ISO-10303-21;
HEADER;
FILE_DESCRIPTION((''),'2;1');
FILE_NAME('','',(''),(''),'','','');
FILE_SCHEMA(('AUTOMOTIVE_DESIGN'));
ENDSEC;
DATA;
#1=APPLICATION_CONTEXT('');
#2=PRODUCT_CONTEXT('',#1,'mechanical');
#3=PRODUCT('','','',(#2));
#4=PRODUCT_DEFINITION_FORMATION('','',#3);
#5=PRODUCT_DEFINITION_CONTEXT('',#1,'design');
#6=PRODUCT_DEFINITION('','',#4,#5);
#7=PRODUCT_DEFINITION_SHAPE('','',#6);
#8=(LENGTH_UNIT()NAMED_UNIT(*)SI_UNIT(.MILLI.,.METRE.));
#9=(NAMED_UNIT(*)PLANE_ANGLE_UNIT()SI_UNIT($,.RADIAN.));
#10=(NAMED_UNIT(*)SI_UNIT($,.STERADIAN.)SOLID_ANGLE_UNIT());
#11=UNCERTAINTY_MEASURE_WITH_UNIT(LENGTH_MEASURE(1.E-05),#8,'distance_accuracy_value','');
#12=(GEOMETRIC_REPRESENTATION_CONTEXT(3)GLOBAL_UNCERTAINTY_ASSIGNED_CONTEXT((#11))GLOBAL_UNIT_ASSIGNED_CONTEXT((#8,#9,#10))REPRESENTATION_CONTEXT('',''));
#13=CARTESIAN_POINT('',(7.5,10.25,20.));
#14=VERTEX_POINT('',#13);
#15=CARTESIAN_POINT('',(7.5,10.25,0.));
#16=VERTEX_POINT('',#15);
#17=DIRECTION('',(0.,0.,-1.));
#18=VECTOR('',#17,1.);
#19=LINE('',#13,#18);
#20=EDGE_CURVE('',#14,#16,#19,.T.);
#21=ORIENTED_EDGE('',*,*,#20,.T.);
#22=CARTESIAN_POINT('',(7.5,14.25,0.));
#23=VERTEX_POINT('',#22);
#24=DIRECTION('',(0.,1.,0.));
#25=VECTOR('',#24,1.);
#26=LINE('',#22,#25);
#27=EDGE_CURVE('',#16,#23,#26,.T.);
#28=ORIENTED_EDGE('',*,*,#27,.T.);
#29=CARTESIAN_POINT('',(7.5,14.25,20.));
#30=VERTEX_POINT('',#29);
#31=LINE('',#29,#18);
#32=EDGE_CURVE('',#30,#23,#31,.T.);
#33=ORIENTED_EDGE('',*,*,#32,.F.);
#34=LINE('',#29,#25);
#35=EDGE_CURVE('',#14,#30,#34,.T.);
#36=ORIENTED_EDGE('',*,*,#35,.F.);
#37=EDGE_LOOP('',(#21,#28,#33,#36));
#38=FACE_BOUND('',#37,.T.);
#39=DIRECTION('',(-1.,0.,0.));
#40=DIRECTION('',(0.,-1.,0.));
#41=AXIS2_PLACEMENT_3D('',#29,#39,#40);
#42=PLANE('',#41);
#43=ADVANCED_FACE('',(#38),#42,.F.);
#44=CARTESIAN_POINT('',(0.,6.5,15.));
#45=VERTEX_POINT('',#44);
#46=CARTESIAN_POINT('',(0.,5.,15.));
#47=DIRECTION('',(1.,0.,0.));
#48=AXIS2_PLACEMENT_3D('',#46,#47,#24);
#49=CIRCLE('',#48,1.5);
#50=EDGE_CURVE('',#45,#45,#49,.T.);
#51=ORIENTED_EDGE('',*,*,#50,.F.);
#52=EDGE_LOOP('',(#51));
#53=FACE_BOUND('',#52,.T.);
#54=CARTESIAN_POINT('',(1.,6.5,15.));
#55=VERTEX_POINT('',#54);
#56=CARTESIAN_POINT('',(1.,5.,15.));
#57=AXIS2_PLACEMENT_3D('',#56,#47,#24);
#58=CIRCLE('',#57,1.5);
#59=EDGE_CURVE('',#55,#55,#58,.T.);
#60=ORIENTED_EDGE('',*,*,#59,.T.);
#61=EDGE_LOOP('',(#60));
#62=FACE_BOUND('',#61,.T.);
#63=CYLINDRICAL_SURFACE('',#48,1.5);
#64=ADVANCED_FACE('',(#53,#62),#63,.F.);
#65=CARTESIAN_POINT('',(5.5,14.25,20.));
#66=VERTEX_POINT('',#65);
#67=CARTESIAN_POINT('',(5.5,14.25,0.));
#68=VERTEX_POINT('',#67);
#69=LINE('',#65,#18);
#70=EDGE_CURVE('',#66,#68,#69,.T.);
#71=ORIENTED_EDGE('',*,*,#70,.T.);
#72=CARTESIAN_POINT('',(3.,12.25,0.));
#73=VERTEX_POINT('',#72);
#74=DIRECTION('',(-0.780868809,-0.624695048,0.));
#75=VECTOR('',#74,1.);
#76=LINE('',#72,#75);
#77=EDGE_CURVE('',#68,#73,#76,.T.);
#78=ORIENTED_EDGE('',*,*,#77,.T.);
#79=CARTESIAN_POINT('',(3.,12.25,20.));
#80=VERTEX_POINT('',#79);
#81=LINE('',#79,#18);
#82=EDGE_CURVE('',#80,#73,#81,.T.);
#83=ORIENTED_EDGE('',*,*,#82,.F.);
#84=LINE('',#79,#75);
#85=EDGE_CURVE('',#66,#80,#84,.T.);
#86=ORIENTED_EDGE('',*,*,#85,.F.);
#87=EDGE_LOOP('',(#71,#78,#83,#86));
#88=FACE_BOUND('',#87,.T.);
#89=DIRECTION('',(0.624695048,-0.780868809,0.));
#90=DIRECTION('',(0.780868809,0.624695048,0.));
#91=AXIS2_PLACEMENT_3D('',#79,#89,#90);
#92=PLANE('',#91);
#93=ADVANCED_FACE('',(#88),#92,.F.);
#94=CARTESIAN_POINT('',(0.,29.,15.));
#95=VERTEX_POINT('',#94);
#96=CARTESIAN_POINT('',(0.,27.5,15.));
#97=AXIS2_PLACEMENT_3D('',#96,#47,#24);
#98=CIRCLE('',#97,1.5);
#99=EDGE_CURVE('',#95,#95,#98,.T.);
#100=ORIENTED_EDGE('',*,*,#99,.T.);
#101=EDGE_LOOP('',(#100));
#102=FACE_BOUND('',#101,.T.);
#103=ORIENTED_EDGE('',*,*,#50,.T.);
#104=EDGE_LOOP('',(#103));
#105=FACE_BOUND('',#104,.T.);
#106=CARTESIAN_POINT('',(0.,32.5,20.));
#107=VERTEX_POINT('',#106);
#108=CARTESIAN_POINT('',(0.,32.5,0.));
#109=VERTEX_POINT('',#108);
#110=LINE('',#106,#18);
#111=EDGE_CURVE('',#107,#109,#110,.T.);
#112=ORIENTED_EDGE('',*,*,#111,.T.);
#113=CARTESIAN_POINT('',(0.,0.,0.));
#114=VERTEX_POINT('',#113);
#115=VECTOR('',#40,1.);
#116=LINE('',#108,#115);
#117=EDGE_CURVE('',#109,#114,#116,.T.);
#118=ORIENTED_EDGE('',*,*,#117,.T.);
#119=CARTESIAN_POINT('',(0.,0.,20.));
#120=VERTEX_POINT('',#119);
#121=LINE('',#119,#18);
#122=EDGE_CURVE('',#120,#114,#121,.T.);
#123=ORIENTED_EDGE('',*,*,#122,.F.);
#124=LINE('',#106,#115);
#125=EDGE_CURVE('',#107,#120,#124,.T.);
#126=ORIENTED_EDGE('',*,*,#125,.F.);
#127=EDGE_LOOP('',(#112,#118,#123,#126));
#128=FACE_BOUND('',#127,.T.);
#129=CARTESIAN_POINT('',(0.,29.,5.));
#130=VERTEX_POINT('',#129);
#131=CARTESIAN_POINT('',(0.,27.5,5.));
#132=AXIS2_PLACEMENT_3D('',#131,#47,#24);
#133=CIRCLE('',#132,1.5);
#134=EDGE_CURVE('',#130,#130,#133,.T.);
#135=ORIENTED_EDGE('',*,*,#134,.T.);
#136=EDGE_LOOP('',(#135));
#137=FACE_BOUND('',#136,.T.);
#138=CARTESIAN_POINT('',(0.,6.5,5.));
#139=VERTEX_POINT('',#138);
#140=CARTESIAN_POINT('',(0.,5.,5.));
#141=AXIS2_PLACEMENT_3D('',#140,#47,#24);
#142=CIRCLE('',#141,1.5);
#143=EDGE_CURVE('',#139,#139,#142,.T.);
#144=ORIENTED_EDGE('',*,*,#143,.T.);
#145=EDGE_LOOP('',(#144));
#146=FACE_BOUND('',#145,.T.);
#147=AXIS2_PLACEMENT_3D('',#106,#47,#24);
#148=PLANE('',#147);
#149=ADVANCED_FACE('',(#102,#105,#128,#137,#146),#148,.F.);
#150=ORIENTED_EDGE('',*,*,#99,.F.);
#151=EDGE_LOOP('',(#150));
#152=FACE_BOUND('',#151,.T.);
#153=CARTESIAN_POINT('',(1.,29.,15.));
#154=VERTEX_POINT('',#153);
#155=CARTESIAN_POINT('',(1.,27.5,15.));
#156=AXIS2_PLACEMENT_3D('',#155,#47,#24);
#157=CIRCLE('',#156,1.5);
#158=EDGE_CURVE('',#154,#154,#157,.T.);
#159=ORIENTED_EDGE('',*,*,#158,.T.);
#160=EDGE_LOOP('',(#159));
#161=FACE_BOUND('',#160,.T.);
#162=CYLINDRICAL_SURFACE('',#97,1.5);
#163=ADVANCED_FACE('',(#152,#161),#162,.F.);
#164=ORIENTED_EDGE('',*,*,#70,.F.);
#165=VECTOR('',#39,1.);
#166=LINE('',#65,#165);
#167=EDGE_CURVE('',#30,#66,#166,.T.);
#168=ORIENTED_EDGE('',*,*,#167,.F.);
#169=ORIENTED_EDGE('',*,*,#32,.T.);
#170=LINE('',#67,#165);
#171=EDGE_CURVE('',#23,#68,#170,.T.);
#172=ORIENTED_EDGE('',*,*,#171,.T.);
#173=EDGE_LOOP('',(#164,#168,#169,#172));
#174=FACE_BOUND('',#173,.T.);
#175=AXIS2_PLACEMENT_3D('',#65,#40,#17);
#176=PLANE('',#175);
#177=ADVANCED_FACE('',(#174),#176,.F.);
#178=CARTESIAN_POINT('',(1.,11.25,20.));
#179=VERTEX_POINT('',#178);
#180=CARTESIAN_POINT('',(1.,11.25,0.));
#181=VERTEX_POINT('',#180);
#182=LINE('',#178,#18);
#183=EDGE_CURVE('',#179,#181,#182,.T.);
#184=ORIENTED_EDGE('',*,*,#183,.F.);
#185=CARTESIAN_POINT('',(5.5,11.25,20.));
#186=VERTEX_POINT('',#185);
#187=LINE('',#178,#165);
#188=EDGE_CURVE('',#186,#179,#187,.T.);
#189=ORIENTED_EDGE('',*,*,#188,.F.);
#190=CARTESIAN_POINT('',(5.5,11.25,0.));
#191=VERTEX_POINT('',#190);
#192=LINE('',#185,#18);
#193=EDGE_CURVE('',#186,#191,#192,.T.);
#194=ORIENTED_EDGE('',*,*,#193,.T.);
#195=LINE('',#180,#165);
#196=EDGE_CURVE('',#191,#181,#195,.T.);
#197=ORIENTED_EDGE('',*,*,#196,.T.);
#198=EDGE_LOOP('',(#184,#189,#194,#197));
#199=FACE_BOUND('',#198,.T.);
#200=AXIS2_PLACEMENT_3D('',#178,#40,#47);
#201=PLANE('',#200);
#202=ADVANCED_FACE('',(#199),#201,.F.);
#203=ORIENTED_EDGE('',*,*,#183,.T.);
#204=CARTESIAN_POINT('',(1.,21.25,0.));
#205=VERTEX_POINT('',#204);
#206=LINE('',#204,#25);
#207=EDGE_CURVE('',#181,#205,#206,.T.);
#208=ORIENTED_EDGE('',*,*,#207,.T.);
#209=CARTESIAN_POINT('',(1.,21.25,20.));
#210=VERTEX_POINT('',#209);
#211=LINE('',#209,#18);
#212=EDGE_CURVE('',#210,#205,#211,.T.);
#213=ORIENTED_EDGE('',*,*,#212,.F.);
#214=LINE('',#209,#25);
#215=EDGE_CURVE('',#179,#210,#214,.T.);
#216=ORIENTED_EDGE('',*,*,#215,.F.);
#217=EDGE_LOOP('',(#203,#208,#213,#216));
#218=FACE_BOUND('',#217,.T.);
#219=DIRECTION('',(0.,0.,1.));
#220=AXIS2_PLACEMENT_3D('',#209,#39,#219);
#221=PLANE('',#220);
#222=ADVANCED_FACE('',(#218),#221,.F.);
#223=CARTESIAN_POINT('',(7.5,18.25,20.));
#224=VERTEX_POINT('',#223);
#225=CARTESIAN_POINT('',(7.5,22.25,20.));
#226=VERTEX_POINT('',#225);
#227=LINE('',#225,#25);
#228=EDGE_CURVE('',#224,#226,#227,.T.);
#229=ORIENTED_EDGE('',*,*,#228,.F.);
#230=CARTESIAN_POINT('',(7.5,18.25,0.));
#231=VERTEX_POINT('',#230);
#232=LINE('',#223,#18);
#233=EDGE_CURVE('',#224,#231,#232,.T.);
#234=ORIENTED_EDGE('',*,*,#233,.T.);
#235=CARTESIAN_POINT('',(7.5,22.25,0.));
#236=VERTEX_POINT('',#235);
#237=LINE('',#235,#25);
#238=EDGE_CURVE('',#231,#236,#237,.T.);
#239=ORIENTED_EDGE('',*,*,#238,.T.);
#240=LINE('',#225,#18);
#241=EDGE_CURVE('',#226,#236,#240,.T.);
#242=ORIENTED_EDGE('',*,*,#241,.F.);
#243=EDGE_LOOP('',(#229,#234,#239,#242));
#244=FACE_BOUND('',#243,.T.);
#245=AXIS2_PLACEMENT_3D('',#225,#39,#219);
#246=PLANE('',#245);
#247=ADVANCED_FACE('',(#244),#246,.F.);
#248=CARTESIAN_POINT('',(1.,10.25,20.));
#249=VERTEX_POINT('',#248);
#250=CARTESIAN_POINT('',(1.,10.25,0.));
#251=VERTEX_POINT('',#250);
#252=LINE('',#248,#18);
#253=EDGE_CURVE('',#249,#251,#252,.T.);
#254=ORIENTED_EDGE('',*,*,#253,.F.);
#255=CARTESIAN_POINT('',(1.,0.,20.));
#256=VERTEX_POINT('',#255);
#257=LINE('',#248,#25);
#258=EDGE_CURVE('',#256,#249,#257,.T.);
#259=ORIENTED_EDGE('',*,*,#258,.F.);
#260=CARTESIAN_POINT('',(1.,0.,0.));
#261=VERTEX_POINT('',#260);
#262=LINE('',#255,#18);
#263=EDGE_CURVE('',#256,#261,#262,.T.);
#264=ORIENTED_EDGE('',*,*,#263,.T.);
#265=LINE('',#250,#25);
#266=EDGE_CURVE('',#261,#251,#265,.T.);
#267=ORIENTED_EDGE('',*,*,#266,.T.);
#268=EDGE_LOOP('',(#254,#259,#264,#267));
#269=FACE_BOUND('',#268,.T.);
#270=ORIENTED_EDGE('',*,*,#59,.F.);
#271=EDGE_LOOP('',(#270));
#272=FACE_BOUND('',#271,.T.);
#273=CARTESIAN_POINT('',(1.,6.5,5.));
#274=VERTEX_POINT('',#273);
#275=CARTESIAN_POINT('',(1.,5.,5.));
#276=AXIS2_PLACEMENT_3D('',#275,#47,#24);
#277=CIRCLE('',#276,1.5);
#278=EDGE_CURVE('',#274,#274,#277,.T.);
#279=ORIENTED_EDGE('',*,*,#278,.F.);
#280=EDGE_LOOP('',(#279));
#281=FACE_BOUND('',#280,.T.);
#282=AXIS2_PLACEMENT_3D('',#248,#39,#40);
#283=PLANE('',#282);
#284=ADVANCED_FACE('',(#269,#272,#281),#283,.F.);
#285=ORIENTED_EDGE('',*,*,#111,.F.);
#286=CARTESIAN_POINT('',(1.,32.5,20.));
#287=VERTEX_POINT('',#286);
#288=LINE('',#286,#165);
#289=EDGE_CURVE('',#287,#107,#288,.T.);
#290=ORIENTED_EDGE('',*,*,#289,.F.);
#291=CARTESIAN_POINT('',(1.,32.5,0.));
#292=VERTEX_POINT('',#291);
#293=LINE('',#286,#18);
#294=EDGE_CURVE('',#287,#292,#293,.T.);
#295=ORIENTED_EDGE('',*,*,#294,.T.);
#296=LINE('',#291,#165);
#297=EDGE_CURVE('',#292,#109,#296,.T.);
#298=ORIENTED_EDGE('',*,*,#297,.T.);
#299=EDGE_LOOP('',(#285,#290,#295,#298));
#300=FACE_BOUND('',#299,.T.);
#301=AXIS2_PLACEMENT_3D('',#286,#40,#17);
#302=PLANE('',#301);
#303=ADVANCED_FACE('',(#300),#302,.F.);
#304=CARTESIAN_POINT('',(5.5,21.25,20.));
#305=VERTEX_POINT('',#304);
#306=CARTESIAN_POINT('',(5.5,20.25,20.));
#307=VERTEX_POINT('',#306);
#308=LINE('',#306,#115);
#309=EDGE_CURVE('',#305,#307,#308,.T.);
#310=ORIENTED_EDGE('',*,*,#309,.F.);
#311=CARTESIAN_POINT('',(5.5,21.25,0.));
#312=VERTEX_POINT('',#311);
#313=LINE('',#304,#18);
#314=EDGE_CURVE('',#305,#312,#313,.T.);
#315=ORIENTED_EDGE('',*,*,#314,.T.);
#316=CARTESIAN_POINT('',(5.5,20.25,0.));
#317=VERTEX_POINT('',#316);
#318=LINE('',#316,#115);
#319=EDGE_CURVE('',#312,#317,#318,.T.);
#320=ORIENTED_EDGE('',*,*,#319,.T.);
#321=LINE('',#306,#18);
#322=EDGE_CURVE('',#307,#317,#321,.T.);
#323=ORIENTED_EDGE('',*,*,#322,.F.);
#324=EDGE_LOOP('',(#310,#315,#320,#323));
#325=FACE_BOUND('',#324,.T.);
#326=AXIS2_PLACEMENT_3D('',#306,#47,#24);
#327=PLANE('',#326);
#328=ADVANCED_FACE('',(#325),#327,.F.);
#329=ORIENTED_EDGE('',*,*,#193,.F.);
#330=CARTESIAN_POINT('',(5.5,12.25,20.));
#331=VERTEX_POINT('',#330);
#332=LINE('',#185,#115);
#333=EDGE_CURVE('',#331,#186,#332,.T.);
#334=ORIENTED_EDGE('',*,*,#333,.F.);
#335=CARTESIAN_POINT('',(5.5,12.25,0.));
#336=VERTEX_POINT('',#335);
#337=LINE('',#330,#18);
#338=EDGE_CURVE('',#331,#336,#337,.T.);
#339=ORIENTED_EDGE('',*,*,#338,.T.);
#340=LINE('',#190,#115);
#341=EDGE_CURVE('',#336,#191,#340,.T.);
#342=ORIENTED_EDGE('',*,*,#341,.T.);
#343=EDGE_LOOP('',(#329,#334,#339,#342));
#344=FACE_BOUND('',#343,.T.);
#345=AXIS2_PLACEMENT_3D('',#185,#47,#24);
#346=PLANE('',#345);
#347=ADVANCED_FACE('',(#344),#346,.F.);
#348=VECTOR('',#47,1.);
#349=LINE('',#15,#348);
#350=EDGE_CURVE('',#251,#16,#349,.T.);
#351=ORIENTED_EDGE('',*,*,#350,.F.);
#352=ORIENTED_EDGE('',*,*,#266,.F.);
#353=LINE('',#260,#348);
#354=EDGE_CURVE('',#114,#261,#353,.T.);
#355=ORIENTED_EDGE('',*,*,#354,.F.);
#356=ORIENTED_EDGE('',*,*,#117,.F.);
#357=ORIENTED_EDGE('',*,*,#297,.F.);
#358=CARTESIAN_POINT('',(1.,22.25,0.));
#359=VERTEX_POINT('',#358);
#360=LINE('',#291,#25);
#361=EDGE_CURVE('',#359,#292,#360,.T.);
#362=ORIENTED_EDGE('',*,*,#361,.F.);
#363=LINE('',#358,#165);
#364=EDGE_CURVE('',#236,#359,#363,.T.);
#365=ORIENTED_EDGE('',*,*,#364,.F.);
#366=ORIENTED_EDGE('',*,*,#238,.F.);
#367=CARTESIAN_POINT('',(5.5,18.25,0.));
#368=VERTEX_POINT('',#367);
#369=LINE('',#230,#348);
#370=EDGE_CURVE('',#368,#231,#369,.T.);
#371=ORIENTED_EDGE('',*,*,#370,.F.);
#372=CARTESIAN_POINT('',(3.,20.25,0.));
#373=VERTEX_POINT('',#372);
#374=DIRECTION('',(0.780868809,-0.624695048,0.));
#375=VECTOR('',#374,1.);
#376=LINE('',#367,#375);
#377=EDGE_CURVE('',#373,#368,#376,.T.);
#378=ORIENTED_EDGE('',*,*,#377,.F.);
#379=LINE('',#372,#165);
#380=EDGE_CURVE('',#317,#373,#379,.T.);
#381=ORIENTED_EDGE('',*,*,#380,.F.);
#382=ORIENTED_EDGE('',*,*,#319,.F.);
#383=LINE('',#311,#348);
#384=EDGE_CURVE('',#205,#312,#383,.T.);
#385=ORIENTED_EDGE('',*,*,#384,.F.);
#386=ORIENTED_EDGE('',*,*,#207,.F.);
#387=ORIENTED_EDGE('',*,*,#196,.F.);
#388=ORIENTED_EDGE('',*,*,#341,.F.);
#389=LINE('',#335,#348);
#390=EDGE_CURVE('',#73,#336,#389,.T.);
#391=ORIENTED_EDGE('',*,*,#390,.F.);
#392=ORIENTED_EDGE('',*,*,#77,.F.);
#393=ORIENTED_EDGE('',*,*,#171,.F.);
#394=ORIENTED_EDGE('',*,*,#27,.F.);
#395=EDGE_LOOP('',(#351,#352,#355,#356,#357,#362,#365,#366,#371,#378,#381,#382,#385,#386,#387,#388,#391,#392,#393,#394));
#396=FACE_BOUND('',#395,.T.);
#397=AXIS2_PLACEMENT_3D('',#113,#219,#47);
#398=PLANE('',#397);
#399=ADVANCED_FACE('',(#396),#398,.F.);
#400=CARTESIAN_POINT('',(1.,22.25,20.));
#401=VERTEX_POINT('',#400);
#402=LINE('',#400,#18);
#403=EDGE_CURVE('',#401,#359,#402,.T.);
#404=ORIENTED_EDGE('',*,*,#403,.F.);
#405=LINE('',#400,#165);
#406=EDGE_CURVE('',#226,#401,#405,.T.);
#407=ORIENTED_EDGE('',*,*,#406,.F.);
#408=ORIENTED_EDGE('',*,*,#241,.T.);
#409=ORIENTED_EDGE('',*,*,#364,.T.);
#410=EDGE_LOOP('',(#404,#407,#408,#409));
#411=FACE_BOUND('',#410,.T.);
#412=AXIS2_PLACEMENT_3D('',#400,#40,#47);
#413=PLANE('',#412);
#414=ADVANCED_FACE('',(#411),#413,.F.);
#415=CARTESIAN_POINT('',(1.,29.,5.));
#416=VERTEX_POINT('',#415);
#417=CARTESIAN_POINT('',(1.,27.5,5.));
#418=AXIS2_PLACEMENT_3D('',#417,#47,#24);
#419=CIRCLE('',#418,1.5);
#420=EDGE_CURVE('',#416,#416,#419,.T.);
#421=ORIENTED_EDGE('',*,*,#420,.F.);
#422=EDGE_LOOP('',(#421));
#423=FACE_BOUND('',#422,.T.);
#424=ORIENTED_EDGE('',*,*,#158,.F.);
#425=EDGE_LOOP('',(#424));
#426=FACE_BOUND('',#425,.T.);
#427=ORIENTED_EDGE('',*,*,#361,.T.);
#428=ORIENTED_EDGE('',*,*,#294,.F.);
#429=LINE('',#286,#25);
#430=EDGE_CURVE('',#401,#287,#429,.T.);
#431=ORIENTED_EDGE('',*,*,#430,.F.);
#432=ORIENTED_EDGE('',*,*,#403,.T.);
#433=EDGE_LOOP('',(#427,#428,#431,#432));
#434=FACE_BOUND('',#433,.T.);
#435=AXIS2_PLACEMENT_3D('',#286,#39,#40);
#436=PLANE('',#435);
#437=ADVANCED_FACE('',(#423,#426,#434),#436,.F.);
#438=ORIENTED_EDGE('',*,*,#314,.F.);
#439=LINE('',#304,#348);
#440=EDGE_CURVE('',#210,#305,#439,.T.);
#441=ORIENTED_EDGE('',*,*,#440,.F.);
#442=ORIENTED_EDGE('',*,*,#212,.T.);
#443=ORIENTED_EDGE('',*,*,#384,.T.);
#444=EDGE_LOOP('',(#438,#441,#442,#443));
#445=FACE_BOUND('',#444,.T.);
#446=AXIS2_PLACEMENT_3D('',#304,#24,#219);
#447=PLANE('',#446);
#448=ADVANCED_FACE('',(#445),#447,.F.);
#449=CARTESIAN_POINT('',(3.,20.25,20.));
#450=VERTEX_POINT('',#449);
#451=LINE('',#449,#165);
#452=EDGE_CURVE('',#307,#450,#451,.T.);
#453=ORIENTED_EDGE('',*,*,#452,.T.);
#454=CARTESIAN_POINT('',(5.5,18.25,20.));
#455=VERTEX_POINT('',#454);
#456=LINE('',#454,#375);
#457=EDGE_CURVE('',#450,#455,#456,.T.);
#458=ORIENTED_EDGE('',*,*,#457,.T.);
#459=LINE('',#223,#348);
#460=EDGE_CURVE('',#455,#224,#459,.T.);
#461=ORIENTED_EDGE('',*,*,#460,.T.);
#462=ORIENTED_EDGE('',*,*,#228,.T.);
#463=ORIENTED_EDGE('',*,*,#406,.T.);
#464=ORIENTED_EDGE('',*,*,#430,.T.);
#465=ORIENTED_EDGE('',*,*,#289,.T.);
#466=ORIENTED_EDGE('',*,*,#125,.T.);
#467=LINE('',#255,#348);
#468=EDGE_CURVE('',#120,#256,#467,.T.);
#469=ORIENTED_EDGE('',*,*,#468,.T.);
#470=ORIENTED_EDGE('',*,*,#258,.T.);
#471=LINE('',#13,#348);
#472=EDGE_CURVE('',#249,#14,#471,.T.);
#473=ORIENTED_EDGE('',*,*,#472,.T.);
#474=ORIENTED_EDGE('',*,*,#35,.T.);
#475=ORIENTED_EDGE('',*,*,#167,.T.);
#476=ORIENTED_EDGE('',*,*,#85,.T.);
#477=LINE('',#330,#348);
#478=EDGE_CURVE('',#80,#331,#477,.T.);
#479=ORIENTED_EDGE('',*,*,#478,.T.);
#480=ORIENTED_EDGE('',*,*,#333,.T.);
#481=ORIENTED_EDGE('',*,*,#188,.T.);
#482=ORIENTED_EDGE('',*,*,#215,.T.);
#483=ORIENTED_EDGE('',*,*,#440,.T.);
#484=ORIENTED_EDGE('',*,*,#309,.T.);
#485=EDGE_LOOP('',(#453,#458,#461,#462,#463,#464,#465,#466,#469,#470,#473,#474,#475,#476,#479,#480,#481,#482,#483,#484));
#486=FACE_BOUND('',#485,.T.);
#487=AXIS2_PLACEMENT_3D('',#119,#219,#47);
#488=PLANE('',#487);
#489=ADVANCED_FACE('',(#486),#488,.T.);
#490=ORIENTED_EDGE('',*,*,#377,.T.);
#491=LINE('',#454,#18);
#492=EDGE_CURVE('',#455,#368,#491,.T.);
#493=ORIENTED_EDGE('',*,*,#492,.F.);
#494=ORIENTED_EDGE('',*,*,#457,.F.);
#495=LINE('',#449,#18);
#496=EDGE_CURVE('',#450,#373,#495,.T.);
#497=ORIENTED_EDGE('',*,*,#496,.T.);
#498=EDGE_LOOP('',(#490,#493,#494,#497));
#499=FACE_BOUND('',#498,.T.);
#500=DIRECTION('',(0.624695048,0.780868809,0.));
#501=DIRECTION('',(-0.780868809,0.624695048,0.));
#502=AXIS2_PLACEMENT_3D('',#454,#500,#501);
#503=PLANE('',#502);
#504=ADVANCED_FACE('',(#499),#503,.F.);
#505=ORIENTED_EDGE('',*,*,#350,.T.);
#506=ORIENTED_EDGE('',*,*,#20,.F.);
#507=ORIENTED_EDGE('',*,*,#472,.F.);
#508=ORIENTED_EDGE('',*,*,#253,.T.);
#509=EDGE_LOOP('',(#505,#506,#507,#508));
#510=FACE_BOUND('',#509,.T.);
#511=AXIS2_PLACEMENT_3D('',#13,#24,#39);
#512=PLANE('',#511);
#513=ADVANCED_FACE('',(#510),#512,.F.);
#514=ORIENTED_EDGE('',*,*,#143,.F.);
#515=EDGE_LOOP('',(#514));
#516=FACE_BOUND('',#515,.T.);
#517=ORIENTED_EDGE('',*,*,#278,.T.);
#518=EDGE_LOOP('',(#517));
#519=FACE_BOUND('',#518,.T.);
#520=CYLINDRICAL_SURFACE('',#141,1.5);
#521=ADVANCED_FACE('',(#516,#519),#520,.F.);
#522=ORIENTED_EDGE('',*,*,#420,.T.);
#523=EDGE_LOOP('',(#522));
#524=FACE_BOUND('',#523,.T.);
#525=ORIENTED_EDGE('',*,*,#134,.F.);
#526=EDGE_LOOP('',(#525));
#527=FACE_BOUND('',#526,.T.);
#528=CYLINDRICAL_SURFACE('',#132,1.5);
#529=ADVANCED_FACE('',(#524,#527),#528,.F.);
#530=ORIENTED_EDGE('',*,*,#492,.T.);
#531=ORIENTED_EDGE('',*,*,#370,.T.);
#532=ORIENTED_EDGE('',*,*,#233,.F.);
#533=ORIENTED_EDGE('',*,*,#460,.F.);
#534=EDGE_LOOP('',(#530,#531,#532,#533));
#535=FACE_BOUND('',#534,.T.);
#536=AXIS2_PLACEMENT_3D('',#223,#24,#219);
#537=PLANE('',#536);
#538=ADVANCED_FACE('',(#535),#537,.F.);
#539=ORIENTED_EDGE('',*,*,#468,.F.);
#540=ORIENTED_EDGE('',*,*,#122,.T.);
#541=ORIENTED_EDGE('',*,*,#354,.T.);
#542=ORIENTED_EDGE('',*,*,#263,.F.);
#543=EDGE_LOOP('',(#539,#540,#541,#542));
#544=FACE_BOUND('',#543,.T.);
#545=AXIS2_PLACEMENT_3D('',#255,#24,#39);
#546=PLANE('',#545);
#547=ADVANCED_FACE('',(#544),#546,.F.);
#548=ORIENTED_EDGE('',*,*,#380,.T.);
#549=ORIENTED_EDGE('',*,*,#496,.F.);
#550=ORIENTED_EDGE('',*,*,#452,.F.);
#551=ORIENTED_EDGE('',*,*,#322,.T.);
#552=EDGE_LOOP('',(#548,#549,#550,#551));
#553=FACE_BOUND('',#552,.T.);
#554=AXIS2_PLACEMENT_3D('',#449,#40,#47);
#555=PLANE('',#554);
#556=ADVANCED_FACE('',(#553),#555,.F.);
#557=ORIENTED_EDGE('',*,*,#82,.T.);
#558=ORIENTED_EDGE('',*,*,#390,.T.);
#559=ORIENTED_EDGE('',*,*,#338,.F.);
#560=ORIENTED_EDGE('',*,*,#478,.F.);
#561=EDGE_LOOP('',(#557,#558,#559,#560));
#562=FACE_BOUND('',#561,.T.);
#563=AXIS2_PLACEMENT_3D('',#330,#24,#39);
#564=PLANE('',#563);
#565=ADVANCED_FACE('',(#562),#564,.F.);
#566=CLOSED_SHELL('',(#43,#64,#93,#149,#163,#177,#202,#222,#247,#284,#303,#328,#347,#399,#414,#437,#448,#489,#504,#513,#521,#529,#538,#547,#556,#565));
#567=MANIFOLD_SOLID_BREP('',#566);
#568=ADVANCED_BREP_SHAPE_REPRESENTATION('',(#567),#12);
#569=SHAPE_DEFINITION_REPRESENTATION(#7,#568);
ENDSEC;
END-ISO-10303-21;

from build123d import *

# Parameters (mm, degrees)
BOSS_EXTRU_1_DEPTH         = 20
ESQUISSE2_R                = 1.5
ENL_V_MAT_EXTRU_1_DEPTH    = 2
R_P_TITION_LIN_AIRE1_COUNT = 2
R_P_TITION_LIN_AIRE1_PITCH = 10


with BuildPart() as part:
    # Esquisse1 → Boss.-Extru.1 (new body)
    with BuildSketch(Plane.XY):
        Polygon((1, 32.5), (1, 22.25), (7.5, 22.25), (7.5, 18.25), (5.5, 18.25), (3, 20.25), (5.5, 20.25), (5.5, 21.25), (1, 21.25), (1, 11.25), (5.5, 11.25), (5.5, 12.25), (3, 12.25), (5.5, 14.25), (7.5, 14.25), (7.5, 10.25), (1, 10.25), (1, 0), (0, 0), (0, 32.5), align=None)
    extrude(amount=BOSS_EXTRU_1_DEPTH)

    # Esquisse2 → Enlèv. mat.-Extru.1 (cut, through all)
    with BuildSketch(Plane(origin=(1, 0, 0), x_dir=(0, 0, -1), z_dir=(1, 0, 0))):
        with Locations((-15, 27.5)):
            Circle(ESQUISSE2_R)
        with Locations((-15, 5)):
            Circle(ESQUISSE2_R)
    enl_v_mat_extru_1 = extrude(amount=-ENL_V_MAT_EXTRU_1_DEPTH, mode=Mode.SUBTRACT)

    # Répétition linéaire1: Enlèv. mat.-Extru.1 ×2
    with Locations(*[(0, 0, -i * R_P_TITION_LIN_AIRE1_PITCH) for i in range(1, R_P_TITION_LIN_AIRE1_COUNT)]):
        add(enl_v_mat_extru_1, mode=Mode.SUBTRACT)


solid = part.part
